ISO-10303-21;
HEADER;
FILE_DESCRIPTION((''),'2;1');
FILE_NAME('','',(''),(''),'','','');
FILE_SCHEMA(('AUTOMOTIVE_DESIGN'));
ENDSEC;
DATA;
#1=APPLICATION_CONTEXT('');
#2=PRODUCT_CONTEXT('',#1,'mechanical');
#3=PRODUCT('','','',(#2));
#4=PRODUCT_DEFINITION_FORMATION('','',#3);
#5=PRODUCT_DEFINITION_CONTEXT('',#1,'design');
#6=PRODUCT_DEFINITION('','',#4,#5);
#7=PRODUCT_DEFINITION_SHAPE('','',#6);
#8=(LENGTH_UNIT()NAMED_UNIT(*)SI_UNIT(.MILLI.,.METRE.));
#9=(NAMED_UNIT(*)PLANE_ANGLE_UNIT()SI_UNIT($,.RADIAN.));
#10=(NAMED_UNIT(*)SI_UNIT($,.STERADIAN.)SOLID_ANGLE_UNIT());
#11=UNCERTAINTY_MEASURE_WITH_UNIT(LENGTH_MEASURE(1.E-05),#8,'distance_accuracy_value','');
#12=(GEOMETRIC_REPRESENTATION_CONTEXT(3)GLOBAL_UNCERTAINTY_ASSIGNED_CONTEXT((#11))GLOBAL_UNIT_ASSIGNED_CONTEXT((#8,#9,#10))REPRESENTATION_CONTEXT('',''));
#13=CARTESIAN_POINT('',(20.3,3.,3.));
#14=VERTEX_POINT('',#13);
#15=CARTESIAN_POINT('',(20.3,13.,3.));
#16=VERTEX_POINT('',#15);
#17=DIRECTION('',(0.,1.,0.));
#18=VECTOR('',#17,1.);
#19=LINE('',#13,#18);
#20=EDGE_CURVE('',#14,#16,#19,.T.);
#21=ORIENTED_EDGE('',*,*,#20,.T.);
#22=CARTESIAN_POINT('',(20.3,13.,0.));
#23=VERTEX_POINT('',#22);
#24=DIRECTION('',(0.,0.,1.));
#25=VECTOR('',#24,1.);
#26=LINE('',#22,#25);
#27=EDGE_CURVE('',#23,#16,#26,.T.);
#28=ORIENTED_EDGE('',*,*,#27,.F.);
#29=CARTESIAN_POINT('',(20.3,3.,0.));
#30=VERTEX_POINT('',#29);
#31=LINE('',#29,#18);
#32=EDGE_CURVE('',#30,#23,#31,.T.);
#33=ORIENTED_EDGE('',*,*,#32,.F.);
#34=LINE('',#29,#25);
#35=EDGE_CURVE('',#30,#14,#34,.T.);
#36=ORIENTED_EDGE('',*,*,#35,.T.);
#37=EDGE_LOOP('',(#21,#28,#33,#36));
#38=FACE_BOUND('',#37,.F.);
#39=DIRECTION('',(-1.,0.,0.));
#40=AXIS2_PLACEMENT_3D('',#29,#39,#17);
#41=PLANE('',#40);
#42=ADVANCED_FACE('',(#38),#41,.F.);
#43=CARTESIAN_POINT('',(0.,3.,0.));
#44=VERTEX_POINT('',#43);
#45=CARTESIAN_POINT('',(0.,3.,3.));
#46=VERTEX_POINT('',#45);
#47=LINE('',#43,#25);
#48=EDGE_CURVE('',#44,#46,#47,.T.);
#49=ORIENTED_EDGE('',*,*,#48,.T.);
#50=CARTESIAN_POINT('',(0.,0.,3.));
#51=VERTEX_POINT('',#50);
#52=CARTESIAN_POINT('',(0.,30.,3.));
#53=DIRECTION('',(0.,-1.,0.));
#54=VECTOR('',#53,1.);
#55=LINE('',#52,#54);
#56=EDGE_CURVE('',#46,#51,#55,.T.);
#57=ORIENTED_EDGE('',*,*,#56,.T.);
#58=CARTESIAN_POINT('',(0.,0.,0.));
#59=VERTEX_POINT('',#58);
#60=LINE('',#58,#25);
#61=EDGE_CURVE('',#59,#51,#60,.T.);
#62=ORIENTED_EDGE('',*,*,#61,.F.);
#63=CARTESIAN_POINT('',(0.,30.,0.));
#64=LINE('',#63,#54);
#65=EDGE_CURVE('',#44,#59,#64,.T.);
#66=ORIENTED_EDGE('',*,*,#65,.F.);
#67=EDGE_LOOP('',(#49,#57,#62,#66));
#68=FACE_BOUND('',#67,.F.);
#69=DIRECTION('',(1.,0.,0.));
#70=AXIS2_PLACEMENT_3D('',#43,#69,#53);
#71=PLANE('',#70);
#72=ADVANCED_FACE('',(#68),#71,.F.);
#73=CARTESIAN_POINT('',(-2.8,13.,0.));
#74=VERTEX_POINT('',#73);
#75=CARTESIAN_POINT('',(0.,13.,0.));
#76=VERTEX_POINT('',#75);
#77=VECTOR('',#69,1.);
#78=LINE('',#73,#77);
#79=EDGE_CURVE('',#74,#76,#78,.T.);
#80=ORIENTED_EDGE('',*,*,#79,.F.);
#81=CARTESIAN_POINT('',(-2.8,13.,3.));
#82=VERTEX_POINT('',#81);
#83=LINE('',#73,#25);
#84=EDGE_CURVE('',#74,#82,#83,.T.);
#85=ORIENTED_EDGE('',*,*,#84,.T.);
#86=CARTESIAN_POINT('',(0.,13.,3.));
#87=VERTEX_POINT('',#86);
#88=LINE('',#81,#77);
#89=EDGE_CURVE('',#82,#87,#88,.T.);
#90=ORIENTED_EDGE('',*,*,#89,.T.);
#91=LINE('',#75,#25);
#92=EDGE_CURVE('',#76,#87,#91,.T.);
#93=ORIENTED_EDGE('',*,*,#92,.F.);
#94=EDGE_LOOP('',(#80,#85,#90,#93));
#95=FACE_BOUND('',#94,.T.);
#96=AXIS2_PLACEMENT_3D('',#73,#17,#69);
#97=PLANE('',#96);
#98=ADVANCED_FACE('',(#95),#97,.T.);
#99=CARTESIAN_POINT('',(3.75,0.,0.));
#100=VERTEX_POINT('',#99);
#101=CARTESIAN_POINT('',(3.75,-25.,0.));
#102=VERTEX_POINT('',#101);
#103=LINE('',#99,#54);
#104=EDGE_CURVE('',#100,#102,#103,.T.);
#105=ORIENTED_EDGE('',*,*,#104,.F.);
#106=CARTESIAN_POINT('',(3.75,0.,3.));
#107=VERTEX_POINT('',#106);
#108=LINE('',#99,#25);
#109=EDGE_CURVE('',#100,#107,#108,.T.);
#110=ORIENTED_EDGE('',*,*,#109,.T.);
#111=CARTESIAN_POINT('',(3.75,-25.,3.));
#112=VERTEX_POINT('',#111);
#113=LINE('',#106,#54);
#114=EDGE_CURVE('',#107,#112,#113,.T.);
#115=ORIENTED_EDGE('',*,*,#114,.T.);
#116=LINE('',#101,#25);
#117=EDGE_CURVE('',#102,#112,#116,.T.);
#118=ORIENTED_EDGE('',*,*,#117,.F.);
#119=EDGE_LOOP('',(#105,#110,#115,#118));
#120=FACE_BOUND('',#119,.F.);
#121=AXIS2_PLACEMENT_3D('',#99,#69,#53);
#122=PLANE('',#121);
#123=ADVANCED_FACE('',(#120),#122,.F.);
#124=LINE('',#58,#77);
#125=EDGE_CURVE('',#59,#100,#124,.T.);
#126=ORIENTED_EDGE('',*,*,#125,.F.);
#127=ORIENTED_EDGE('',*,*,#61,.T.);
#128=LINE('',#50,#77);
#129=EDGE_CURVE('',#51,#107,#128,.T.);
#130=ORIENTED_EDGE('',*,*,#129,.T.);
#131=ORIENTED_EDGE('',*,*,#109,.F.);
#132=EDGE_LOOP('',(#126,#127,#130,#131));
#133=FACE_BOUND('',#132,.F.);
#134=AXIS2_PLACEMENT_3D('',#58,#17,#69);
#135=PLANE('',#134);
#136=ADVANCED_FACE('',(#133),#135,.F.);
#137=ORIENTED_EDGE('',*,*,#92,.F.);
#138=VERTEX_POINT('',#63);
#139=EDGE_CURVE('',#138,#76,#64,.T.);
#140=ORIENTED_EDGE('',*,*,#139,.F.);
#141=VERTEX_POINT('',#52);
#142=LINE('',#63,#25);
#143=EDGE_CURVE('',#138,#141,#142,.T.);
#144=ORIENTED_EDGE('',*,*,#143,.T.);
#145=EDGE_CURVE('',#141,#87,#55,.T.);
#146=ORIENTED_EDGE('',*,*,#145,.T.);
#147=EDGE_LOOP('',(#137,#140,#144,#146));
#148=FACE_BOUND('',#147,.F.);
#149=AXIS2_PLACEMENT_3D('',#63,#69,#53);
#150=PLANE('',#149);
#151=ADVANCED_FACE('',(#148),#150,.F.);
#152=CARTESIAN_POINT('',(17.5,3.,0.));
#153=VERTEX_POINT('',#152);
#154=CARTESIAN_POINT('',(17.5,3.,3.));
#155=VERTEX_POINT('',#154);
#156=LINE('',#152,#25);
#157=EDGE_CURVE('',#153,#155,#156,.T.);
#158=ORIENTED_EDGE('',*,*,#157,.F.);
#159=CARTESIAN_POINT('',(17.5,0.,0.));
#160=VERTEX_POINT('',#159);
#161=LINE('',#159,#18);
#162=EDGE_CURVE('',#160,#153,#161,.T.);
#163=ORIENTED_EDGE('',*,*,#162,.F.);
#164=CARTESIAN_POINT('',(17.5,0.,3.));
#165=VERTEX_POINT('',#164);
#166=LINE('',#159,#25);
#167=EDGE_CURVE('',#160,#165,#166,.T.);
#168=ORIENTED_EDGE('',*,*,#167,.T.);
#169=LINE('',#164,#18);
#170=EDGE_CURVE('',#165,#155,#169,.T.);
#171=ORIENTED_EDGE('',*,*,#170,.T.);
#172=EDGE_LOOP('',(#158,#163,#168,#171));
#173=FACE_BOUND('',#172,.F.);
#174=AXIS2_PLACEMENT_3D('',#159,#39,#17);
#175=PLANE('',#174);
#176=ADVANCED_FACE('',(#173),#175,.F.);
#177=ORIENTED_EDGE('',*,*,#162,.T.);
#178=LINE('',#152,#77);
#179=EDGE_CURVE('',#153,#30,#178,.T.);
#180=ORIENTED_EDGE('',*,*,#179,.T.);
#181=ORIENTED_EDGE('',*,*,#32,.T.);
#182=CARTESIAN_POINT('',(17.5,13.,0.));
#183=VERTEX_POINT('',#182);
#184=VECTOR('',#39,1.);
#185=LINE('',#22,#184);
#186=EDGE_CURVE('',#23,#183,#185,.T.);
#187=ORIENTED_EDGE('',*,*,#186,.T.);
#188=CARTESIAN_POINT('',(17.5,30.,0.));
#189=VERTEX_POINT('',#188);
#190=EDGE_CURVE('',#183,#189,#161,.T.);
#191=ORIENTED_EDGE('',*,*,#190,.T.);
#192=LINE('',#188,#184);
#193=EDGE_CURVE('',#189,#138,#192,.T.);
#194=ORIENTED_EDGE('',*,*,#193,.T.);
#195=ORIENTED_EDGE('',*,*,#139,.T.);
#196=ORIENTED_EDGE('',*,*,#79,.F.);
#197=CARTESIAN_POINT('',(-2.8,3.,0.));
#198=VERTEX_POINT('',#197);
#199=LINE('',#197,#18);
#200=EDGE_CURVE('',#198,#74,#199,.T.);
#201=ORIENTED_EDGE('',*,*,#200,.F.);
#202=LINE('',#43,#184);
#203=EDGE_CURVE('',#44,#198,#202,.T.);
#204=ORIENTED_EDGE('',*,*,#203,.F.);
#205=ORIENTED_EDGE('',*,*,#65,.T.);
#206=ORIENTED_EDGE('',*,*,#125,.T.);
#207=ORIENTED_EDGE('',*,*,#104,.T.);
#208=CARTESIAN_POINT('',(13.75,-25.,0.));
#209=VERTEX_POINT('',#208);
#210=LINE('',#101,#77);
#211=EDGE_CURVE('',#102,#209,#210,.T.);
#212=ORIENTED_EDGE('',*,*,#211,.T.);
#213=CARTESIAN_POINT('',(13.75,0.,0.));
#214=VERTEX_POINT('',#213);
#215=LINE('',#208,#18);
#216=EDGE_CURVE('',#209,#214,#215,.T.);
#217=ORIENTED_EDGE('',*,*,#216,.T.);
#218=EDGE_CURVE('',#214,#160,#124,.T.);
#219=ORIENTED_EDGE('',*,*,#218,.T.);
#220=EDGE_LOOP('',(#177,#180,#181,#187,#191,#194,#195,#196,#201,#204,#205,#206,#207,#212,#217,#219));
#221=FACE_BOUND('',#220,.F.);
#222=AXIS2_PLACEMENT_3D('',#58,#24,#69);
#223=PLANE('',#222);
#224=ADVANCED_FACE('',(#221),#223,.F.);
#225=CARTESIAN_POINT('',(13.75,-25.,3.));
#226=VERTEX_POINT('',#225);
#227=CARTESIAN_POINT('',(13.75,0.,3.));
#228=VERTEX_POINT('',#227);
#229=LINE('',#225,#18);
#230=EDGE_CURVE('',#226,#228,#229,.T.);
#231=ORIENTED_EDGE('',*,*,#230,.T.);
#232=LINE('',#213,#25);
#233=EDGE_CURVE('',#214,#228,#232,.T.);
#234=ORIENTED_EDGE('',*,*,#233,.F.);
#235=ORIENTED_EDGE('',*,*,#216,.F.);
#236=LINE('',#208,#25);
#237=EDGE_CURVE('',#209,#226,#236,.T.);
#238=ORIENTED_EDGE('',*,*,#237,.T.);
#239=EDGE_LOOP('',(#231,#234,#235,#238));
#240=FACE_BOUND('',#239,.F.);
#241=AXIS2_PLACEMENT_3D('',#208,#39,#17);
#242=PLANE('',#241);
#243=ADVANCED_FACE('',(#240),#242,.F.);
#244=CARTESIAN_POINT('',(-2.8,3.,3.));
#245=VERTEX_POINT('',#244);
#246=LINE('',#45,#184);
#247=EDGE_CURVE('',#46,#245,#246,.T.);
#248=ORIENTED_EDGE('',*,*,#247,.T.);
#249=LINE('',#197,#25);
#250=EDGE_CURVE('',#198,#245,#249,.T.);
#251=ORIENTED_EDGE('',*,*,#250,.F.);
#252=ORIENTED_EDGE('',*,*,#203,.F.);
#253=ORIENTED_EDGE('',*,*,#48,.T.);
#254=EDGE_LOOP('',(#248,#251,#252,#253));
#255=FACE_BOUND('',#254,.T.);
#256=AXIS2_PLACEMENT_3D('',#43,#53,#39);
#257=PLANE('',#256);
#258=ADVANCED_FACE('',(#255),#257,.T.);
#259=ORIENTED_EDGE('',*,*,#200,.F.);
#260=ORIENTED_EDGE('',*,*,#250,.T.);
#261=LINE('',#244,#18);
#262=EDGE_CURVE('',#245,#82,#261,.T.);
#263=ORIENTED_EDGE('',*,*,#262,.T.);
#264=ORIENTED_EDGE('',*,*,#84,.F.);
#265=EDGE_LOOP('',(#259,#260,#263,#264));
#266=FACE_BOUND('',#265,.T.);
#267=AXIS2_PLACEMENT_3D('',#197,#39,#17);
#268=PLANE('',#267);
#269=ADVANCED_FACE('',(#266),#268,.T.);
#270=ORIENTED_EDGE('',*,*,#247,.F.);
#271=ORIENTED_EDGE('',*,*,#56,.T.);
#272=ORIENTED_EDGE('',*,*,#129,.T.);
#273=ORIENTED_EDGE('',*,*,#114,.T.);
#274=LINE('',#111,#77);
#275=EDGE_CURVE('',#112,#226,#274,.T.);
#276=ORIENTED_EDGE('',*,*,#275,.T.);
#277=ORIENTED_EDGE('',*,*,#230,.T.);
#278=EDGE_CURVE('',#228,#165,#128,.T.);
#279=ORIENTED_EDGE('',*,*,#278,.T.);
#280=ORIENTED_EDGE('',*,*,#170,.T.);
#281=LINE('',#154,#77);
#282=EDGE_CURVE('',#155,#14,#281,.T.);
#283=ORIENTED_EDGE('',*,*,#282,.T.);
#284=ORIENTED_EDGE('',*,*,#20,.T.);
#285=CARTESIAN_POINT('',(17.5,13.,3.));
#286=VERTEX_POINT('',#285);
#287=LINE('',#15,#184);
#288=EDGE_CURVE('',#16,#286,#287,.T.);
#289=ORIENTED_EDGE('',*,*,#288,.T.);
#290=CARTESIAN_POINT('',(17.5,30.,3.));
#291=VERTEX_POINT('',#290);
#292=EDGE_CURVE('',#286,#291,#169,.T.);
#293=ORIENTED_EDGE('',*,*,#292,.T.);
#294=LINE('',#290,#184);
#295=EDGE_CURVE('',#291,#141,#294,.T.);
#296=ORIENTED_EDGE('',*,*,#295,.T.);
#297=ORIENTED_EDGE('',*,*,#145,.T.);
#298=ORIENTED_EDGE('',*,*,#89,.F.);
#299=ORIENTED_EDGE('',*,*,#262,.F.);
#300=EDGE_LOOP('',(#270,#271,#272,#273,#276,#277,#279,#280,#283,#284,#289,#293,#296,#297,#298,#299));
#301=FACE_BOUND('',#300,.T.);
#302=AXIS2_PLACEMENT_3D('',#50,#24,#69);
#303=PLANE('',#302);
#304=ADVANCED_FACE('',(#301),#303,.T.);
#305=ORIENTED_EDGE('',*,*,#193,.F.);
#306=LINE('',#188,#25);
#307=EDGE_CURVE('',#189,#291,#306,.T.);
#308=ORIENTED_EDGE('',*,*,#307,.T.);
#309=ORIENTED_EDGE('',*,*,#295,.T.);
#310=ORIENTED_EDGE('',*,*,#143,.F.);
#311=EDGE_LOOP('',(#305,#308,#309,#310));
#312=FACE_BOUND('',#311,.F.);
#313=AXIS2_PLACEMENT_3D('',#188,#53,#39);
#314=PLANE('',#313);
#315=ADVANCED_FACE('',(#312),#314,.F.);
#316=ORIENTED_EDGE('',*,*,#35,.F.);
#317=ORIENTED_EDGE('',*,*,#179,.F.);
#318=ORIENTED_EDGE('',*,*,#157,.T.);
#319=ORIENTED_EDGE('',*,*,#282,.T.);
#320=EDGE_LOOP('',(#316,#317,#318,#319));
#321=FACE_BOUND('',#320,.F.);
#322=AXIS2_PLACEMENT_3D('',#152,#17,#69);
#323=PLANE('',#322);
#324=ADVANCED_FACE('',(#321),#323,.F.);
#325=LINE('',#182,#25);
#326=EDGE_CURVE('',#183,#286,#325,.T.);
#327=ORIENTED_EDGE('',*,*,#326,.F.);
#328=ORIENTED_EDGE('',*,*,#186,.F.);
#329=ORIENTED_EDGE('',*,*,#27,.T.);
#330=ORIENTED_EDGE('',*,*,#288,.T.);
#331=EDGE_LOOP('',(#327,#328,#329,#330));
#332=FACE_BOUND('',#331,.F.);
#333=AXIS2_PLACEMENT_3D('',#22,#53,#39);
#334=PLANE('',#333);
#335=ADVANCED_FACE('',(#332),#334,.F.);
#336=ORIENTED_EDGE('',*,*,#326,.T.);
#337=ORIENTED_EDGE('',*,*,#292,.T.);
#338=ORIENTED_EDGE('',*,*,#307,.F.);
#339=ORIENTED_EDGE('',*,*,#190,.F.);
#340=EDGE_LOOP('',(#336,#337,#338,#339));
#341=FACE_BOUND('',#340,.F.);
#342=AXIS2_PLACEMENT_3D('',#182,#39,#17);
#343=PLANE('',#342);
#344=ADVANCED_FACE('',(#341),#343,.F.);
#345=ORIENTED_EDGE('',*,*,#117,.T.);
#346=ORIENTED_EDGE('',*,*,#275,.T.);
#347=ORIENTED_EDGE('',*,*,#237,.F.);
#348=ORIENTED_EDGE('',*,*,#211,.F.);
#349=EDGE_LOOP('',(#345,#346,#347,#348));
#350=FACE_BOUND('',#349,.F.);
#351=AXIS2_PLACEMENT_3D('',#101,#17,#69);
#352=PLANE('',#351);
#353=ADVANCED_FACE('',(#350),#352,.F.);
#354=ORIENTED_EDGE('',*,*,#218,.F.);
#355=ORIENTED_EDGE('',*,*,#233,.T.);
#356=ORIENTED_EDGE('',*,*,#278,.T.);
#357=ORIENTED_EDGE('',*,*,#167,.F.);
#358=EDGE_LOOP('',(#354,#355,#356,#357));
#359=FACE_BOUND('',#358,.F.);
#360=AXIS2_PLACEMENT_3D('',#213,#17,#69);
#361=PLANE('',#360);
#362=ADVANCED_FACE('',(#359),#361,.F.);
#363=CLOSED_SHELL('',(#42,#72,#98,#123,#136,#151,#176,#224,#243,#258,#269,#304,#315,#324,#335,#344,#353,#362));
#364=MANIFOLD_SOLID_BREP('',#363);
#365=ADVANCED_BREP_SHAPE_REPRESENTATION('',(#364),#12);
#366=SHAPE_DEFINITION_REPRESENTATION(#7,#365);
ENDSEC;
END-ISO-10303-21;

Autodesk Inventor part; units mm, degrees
ref_plane "YZ Plane" through (0, 0, 0) normal (1, 0, 0) x (0, 1, 0)
ref_plane "XZ Plane" through (0, 0, 0) normal (0, 1, 0) x (-1, 0, 0)
ref_plane "XY Plane" through (0, 0, 0) normal (0, 0, 1) x (1, 0, 0)
sketch "Sketch1" plane through (0, 0, 0) normal (0, 0, 1) x (1, 0, 0)
  line L0 (0, 0) -> (17.5, 0)
  line L1 (17.5, 0) -> (17.5, 30)
  line L2 (17.5, 30) -> (0, 30)
  line L3 (0, 30) -> (0, 0)
  line L4 (3.75, -25) -> (13.75, -25)
  line L5 (13.75, -25) -> (13.75, 0)
  line L6 (13.75, 0) -> (3.75, 0)
  line L7 (3.75, 0) -> (3.75, -25)
  line L8 (3.75, -25) -> (13.75, 0) construction
  line L9 (13.75, -25) -> (3.75, 0) construction
  line L10 (0, 3) -> (-2.8, 3)
  line L11 (-2.8, 3) -> (-2.8, 13)
  line L12 (-2.8, 13) -> (0, 13)
  line L13 (0, 13) -> (0, 3)
  line L14 (17.5, 3) -> (20.3, 3)
  line L15 (20.3, 3) -> (20.3, 13)
  line L16 (20.3, 13) -> (17.5, 13)
  line L17 (17.5, 13) -> (17.5, 3)
  line L18 (3.75, -25) -> (13.75, -25)
  point P0 (8.75, -12.5)
  point P1 (8.75, 0)
  point P2 (3.75, 0)
  point P3 (17.5, 13)
  point P4 (0, 13)
  dimension "d0" = 17.5
  dimension "d1" = 10
  dimension "d2" = 25
  dimension "d3" = 3
  dimension "d4" = 10
  dimension "d5" = 2.8
  dimension "d6" = 2.8
  dimension "d7" = 30
extrude "Extrusion1" add sketch "Sketch1" along normal blind 3
properties part number "contact_board3"
